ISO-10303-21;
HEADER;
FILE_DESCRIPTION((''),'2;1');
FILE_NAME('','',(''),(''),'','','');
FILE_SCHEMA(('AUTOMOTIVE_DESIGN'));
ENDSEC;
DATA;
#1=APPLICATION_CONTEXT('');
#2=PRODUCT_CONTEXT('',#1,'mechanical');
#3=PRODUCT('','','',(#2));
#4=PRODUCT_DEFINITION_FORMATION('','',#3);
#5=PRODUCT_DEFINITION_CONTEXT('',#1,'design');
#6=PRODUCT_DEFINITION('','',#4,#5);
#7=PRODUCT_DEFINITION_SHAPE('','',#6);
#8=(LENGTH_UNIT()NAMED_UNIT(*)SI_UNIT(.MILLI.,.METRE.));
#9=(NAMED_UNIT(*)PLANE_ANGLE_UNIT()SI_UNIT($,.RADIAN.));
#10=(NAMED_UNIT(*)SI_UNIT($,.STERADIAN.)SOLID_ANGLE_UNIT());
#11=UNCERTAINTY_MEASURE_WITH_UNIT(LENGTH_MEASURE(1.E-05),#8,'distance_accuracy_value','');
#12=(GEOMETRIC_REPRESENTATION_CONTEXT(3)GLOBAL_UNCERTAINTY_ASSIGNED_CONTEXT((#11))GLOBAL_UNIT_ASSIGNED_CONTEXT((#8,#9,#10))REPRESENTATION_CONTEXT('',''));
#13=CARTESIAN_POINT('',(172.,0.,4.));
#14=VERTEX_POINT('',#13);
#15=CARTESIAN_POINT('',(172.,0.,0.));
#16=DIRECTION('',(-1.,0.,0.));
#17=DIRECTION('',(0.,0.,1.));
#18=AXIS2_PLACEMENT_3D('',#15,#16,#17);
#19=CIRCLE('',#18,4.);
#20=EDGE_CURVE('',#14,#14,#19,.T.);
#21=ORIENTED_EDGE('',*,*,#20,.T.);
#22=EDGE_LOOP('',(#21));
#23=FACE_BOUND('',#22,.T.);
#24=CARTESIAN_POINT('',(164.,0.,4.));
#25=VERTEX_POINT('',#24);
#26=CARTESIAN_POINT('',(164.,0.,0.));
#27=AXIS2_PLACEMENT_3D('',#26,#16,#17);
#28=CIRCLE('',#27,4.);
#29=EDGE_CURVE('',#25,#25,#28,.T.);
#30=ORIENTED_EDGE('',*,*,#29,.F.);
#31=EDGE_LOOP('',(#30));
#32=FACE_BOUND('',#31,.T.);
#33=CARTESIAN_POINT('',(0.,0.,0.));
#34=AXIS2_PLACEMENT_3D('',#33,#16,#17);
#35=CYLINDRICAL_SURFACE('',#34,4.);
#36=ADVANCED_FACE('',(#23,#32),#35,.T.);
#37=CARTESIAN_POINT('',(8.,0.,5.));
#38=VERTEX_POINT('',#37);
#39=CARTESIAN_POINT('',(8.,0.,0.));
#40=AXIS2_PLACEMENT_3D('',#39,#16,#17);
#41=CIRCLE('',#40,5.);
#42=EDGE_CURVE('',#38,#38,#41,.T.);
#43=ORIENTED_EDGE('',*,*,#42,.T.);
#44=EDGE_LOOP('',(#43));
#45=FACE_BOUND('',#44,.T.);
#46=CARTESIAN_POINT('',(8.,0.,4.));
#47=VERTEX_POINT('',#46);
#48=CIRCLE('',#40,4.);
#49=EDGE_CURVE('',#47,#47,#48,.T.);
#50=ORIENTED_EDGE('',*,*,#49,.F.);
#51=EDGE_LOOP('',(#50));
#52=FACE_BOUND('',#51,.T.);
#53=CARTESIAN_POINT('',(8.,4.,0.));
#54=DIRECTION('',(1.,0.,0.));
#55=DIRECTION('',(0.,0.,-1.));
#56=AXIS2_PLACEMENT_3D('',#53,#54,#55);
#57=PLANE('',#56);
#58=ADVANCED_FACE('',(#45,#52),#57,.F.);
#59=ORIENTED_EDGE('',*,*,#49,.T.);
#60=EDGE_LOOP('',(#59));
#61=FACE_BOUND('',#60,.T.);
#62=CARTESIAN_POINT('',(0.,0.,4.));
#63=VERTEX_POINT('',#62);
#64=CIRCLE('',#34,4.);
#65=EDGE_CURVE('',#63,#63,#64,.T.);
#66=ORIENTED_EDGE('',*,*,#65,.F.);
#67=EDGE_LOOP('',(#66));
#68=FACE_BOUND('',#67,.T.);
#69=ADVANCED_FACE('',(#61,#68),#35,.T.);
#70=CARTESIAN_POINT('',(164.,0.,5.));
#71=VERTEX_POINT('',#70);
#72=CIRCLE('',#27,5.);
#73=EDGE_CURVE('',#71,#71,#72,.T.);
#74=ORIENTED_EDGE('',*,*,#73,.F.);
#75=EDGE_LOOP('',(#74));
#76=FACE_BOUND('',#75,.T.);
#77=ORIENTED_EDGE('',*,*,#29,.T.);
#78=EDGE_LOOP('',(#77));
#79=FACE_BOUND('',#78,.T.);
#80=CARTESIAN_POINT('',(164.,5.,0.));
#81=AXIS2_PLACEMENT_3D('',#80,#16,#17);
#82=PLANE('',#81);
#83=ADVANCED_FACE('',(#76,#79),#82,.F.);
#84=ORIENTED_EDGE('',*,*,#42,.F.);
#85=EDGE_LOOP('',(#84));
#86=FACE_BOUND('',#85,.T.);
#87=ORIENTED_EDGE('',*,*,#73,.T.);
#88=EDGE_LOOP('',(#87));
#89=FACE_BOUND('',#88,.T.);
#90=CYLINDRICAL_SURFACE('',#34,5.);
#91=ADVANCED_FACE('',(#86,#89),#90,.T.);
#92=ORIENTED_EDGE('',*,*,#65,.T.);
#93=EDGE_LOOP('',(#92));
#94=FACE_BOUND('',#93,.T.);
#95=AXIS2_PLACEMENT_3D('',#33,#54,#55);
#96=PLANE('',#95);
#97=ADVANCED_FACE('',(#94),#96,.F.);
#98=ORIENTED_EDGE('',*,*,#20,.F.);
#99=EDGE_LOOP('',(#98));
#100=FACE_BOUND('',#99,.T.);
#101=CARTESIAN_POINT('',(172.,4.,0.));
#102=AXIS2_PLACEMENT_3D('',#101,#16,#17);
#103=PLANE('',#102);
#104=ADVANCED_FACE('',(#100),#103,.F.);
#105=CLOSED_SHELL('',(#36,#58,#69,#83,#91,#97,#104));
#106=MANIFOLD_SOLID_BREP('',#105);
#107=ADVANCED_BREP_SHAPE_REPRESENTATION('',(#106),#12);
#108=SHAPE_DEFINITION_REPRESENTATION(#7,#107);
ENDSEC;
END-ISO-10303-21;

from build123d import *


with BuildPart() as part:
    # Sketch1 → Revolve1 (revolve)
    with BuildSketch(Plane.XY):
        Polygon((0, 0), (0, 4), (8, 4), (8, 5), (164, 5), (164, 4), (172, 4), (172, 0), align=None)
    revolve(axis=Axis((0, 0, 0), (1, 0, 0)))


solid = part.part
